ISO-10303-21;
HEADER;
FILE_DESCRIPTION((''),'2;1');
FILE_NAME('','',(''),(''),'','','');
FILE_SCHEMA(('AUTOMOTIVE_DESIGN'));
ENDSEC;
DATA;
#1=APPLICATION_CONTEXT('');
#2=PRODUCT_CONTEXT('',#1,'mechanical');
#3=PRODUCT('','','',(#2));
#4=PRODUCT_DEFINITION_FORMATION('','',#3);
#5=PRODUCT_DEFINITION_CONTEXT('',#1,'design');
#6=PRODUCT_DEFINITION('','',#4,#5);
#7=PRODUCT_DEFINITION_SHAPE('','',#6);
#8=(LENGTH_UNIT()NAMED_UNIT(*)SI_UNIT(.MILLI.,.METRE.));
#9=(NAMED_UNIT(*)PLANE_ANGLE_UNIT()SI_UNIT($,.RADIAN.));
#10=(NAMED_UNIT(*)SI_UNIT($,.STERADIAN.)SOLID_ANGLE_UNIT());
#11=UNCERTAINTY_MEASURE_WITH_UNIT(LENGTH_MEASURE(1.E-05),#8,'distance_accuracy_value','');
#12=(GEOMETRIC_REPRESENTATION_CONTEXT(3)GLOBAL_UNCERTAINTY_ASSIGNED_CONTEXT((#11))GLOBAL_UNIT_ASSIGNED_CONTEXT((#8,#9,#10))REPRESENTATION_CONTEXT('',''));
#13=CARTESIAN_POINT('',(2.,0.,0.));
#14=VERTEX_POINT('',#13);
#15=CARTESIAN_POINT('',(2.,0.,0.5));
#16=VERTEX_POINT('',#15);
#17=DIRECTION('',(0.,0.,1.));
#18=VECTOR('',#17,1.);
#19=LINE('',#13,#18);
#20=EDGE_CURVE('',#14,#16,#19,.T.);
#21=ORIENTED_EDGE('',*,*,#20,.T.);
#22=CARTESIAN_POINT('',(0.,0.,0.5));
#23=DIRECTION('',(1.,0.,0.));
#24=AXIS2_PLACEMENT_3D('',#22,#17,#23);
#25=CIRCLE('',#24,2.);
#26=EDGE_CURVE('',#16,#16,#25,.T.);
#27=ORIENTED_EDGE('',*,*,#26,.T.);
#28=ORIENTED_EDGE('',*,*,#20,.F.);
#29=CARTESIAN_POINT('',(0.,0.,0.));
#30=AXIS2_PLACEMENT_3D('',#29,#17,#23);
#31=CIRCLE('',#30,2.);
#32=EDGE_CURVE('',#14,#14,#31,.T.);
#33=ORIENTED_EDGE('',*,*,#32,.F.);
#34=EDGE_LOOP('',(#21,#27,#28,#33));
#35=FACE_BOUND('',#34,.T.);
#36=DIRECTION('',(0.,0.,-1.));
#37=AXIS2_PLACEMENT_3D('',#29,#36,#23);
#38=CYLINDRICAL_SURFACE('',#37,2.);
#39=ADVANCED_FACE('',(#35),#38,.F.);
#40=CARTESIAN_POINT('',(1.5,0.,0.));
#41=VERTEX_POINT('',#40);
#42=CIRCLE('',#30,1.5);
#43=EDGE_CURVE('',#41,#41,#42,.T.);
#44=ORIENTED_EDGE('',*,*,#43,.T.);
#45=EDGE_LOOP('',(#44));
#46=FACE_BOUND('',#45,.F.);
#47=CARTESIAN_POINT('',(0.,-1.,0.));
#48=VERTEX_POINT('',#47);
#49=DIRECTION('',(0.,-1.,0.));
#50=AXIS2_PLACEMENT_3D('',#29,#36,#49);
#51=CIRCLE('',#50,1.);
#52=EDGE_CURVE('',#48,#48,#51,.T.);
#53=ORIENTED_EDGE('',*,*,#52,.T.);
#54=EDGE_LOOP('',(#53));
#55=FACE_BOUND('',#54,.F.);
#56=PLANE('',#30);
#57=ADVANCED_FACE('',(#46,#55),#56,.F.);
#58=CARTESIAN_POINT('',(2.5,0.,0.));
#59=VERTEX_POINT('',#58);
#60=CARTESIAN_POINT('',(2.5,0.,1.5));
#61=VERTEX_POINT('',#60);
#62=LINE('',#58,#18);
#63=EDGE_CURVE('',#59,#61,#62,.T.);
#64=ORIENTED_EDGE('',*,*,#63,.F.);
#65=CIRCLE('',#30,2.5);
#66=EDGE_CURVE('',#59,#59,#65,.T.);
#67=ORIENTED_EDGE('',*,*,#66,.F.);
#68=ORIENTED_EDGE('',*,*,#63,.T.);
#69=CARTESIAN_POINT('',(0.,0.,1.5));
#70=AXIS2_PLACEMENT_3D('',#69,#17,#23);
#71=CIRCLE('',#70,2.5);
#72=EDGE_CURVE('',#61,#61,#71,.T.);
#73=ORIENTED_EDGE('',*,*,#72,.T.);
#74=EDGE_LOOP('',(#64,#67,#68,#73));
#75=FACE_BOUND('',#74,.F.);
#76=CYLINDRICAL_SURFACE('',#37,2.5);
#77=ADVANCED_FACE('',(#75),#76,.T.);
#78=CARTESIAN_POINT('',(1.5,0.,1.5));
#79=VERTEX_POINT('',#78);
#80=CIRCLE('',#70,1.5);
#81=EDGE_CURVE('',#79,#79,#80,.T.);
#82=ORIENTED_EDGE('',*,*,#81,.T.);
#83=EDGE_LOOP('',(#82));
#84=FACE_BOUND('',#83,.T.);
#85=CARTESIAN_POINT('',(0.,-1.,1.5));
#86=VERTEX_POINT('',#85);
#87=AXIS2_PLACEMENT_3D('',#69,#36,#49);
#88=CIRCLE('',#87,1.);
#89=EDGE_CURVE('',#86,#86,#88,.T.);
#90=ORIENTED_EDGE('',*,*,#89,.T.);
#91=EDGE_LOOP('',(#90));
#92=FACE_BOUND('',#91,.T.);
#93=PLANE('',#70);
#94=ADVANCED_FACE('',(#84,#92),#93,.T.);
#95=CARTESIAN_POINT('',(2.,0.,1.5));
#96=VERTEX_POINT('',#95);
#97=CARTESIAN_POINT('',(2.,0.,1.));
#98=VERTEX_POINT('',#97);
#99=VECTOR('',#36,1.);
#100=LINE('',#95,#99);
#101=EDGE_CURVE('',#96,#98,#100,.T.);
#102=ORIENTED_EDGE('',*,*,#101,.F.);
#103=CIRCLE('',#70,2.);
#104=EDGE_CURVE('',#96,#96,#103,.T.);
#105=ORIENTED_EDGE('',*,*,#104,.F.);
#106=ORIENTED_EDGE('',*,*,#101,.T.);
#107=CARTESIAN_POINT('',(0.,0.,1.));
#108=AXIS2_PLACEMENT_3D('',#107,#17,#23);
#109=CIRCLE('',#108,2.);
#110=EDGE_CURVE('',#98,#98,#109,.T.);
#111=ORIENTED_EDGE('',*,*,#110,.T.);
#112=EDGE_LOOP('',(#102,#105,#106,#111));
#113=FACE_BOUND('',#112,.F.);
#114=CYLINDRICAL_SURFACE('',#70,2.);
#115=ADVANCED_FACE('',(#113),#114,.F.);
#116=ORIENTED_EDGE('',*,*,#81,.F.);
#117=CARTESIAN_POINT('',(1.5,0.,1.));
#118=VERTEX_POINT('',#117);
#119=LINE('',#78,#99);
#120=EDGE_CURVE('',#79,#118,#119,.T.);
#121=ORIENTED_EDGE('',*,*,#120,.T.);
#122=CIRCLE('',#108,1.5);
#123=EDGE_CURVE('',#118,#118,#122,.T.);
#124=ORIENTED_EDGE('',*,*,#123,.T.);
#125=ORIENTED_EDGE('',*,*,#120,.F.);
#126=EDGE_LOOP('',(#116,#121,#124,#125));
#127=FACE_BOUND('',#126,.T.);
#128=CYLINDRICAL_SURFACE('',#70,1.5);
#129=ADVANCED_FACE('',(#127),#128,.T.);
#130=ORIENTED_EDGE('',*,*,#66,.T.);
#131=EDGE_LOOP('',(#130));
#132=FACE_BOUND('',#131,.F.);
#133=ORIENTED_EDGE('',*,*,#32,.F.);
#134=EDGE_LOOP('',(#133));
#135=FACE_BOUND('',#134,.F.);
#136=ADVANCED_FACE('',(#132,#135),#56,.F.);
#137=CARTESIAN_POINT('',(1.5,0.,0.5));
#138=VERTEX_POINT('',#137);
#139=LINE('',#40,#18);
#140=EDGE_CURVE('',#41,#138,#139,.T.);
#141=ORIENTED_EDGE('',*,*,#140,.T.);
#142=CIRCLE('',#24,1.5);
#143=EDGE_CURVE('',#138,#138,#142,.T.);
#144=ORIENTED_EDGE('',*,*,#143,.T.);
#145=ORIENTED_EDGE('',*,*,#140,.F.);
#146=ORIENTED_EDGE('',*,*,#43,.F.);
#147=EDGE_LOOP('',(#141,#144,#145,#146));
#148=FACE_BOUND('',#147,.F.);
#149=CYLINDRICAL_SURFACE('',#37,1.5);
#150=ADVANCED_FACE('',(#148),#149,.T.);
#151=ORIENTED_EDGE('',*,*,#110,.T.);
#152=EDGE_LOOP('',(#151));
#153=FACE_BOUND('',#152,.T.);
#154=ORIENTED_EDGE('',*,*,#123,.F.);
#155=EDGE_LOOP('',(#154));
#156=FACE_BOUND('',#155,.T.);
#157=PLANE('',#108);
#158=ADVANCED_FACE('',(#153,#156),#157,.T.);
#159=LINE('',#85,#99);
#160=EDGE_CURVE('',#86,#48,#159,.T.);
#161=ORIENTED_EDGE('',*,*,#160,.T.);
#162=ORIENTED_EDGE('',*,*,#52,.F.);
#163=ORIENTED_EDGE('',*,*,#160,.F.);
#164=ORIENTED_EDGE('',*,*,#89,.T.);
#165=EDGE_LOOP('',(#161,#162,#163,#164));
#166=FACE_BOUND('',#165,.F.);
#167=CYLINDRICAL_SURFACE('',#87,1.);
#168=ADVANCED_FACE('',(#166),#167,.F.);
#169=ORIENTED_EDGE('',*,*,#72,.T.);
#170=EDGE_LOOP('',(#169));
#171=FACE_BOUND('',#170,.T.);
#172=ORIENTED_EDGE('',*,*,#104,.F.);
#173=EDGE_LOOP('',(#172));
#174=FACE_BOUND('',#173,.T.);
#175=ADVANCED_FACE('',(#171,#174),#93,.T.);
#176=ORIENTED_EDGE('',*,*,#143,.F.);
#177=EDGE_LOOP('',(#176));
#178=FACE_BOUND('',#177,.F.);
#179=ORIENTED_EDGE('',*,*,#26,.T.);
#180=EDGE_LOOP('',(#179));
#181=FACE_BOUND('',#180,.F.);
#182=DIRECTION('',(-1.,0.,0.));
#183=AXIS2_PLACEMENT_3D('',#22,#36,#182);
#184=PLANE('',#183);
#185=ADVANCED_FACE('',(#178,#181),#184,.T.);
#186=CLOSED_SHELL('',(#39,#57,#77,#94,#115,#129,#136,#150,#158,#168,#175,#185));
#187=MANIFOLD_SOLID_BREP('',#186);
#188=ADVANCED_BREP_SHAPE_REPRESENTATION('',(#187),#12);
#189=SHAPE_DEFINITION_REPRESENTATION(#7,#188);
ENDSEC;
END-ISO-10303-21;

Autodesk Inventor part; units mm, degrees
ref_plane "YZ Plane" through (0, 0, 0) normal (1, 0, 0) x (0, 1, 0)
ref_plane "XZ Plane" through (0, 0, 0) normal (0, 1, 0) x (-1, 0, 0)
sketch "Sketch1" plane through (0, 0, 0) normal (0, 0, 1) x (1, 0, 0)
  circle A0 centre (0, 0) radius 2.5
  dimension "d0" = 5
extrude "Extrusion1" add sketch "Sketch1" along normal blind 1.5
hole "Hole1" at (0, 0, 1.5) direction (0, 0, -1) diameter 2 end through all
sketch "Sketch2" plane through (0, 0, 1.5) normal (0, 0, 1) x (1, 0, 0)
  circle A0 centre (0, 0) radius 2
  circle A1 centre (0, 0) radius 1.5
  dimension "d12" = 4
  dimension "d13" = 3
extrude "Extrusion2" cut sketch "Sketch2" against normal blind 0.5
ref_plane "Work Plane1" through (0, 0, 0.75) normal (0, 0, 1) x (1, 0, 0)
mirror "Mirror1" about plane through (0, 0, 0.75) normal (0, 0, 1) of "Extrusion2"
properties part number "bearing_2x5x1,5" material "Stainless Steel"
